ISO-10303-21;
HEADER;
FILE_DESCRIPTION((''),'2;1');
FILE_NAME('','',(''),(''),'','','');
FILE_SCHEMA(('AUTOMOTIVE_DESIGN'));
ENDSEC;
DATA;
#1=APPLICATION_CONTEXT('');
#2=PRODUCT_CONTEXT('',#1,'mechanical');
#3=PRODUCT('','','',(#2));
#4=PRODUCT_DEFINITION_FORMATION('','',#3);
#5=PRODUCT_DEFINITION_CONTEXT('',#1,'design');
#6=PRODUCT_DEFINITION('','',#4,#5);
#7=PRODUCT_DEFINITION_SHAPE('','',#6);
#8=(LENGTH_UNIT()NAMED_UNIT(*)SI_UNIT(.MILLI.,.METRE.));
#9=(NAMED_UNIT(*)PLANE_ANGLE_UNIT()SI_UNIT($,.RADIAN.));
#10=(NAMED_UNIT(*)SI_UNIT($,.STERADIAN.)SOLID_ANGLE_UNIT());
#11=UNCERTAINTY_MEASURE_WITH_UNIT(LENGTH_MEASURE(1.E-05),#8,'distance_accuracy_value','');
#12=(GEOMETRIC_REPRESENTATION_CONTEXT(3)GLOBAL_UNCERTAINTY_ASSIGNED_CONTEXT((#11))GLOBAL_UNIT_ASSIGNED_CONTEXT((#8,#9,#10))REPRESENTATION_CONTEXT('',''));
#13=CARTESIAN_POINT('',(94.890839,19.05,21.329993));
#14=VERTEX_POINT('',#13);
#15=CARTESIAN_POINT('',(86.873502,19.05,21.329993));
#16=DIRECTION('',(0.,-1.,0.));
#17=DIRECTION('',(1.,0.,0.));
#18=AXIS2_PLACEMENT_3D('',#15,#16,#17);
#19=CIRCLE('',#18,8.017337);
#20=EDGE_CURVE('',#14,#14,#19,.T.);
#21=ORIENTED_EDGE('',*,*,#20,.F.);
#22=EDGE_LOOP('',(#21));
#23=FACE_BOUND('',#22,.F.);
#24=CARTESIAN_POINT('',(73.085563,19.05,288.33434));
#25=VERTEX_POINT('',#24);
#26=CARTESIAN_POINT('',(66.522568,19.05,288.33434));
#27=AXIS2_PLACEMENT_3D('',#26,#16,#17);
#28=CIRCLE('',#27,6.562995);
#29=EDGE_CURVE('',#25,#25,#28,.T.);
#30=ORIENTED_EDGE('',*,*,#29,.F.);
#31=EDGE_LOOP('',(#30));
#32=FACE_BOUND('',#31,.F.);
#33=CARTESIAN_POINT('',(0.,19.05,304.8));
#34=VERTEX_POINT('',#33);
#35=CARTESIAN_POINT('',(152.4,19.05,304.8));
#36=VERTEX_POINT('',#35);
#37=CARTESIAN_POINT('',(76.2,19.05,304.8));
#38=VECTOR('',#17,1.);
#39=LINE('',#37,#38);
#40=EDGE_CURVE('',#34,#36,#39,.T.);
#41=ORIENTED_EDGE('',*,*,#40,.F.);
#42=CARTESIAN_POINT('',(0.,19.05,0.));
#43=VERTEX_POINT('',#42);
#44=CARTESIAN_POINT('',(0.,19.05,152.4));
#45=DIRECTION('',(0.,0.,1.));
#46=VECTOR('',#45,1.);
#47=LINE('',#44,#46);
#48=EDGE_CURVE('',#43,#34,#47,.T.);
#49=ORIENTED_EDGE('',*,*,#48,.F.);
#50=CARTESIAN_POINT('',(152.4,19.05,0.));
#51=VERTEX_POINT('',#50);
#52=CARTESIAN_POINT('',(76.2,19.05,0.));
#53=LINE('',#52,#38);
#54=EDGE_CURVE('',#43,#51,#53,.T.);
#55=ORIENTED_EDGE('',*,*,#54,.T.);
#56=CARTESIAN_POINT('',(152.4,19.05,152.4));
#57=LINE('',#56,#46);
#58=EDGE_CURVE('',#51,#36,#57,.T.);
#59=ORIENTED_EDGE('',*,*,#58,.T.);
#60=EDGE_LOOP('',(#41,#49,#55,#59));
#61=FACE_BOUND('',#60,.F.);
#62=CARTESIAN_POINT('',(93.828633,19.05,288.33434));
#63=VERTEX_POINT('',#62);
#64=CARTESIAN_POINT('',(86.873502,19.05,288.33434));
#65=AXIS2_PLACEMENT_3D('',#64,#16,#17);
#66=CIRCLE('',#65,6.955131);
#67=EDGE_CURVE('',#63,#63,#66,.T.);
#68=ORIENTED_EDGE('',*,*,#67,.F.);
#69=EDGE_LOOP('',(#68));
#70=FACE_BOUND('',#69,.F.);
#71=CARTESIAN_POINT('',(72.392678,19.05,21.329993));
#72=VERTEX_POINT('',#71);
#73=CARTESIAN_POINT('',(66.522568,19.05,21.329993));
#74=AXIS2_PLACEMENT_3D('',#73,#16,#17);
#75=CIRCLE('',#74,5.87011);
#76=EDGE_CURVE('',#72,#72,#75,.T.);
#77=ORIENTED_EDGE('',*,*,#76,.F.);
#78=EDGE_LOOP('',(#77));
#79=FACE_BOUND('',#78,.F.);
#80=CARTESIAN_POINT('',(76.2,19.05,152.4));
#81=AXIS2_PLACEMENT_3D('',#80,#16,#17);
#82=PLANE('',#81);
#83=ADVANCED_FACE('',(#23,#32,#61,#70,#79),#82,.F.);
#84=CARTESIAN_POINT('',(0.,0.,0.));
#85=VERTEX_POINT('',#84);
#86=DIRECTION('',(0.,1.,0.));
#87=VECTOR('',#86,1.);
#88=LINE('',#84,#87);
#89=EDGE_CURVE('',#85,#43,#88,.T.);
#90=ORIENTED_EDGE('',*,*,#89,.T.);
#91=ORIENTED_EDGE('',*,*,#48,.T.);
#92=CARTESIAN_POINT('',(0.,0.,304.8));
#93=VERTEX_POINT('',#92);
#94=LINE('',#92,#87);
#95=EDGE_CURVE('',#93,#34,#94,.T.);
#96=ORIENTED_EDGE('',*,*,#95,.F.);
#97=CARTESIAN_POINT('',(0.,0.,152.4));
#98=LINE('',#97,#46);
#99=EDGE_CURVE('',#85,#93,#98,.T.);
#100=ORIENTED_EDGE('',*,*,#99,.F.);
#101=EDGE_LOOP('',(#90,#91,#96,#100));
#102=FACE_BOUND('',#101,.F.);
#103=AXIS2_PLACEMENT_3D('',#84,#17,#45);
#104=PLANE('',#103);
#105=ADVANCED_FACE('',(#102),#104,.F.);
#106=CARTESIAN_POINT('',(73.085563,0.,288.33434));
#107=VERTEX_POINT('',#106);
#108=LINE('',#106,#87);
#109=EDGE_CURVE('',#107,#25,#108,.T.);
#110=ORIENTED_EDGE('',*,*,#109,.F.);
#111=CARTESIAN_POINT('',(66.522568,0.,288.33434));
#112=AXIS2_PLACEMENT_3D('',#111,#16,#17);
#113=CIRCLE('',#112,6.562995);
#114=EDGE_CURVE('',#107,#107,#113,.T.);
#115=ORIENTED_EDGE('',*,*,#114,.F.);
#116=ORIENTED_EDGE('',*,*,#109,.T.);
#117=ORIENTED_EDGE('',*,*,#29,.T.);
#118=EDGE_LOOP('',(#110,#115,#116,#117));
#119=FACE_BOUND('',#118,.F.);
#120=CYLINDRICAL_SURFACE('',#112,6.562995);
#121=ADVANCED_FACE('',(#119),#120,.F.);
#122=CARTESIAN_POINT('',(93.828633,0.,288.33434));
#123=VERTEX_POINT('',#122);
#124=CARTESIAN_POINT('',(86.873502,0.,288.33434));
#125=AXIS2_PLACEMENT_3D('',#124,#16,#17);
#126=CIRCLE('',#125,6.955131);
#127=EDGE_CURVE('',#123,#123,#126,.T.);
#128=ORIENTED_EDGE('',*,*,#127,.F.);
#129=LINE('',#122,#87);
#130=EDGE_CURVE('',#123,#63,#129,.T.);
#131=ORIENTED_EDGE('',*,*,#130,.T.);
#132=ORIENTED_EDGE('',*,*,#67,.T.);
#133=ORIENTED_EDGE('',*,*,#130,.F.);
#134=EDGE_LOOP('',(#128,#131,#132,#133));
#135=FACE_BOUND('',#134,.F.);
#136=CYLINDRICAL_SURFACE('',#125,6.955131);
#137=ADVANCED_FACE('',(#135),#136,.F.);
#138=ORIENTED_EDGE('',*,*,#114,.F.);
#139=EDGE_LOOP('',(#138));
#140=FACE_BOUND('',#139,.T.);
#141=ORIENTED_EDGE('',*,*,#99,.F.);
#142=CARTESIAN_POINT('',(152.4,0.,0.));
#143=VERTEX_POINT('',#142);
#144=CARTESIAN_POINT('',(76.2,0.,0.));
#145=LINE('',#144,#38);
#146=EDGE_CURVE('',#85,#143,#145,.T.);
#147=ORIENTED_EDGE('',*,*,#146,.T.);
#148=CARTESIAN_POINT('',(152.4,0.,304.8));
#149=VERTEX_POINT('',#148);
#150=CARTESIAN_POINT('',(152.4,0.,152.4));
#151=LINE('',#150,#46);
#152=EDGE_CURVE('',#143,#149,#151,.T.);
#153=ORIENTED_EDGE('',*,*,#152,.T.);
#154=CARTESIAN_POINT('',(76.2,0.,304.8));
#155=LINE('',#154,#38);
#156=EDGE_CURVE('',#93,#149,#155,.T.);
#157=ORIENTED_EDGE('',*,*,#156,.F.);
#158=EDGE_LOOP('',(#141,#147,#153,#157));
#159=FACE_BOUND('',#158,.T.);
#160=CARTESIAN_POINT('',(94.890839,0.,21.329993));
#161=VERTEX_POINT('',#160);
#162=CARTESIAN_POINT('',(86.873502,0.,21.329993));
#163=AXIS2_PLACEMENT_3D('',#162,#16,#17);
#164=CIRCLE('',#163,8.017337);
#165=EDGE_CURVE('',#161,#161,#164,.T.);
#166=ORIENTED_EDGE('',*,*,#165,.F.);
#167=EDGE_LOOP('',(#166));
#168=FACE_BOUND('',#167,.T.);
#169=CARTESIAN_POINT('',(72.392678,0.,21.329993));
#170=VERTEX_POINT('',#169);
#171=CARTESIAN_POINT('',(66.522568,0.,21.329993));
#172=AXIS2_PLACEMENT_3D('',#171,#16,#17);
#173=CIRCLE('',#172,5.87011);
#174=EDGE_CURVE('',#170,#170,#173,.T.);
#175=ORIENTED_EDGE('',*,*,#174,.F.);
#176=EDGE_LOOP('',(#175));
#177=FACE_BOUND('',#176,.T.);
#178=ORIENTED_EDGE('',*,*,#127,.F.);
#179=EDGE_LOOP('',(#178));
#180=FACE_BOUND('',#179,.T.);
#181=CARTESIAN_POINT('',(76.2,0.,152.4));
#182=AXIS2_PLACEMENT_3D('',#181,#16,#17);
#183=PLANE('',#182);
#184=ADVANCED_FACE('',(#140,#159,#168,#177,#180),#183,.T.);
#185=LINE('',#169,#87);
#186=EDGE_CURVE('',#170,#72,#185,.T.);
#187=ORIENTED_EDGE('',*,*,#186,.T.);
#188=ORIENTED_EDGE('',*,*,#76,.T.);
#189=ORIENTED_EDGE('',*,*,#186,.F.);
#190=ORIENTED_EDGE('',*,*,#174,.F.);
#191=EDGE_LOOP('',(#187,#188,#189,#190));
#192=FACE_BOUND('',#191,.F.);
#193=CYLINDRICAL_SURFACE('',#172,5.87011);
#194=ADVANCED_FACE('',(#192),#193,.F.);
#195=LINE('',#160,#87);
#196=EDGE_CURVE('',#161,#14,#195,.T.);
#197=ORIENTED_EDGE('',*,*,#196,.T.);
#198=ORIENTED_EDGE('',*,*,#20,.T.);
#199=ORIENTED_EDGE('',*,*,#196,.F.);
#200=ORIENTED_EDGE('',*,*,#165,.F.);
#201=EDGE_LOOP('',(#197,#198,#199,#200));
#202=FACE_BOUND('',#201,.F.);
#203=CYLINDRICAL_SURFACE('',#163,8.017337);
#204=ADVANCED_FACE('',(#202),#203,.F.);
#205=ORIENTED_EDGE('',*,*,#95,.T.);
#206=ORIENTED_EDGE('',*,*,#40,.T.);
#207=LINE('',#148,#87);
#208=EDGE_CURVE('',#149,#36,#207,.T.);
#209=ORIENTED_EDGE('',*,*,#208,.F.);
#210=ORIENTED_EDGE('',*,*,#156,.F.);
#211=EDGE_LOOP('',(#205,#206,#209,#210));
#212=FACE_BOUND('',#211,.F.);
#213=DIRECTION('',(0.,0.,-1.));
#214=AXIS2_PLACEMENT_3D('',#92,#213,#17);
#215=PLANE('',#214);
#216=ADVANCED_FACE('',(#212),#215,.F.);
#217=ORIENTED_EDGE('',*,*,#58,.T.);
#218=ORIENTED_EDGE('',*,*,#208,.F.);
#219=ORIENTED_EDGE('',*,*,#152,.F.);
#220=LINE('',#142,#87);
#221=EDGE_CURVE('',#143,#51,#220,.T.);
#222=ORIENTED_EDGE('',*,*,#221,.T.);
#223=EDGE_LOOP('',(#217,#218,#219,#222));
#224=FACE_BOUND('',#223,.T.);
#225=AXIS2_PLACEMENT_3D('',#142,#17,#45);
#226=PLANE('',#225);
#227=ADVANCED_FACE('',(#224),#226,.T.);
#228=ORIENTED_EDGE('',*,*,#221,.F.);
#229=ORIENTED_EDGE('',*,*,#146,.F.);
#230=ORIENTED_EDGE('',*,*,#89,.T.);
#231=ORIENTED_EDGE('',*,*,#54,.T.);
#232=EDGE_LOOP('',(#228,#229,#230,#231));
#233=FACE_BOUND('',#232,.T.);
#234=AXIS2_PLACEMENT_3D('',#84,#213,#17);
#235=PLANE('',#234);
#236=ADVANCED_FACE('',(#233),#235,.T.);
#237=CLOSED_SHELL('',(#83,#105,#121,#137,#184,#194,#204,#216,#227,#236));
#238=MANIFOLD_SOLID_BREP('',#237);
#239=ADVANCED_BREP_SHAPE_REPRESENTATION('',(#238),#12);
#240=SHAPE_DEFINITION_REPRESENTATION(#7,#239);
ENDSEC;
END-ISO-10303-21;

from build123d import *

# Parameters (mm, degrees)
F0_W     = 152.4
F0_H     = 304.8
F1_DEPTH = 19.05
F2_R     = 6.562995
F2_R_2   = 6.955131
F2_R_3   = 5.87011
F2_R_4   = 8.017337
F3_DEPTH = 25.4


with BuildPart() as f1:
    # F0 (on Front) → F1 (new body)
    with BuildSketch(Plane.XZ):
        with Locations((76.2, 152.4)):
            Rectangle(F0_W, F0_H)
    extrude(amount=-F1_DEPTH)

    # F2 (on face) → F3 (cut)
    with BuildSketch(Plane.XZ):
        with Locations((66.522568, 288.33434)):
            Circle(F2_R)
        with Locations((86.873502, 288.33434)):
            Circle(F2_R_2)
        with Locations((66.522568, 21.329993)):
            Circle(F2_R_3)
        with Locations((86.873502, 21.329993)):
            Circle(F2_R_4)
    extrude(amount=-F3_DEPTH, mode=Mode.SUBTRACT)


solid = f1.part
